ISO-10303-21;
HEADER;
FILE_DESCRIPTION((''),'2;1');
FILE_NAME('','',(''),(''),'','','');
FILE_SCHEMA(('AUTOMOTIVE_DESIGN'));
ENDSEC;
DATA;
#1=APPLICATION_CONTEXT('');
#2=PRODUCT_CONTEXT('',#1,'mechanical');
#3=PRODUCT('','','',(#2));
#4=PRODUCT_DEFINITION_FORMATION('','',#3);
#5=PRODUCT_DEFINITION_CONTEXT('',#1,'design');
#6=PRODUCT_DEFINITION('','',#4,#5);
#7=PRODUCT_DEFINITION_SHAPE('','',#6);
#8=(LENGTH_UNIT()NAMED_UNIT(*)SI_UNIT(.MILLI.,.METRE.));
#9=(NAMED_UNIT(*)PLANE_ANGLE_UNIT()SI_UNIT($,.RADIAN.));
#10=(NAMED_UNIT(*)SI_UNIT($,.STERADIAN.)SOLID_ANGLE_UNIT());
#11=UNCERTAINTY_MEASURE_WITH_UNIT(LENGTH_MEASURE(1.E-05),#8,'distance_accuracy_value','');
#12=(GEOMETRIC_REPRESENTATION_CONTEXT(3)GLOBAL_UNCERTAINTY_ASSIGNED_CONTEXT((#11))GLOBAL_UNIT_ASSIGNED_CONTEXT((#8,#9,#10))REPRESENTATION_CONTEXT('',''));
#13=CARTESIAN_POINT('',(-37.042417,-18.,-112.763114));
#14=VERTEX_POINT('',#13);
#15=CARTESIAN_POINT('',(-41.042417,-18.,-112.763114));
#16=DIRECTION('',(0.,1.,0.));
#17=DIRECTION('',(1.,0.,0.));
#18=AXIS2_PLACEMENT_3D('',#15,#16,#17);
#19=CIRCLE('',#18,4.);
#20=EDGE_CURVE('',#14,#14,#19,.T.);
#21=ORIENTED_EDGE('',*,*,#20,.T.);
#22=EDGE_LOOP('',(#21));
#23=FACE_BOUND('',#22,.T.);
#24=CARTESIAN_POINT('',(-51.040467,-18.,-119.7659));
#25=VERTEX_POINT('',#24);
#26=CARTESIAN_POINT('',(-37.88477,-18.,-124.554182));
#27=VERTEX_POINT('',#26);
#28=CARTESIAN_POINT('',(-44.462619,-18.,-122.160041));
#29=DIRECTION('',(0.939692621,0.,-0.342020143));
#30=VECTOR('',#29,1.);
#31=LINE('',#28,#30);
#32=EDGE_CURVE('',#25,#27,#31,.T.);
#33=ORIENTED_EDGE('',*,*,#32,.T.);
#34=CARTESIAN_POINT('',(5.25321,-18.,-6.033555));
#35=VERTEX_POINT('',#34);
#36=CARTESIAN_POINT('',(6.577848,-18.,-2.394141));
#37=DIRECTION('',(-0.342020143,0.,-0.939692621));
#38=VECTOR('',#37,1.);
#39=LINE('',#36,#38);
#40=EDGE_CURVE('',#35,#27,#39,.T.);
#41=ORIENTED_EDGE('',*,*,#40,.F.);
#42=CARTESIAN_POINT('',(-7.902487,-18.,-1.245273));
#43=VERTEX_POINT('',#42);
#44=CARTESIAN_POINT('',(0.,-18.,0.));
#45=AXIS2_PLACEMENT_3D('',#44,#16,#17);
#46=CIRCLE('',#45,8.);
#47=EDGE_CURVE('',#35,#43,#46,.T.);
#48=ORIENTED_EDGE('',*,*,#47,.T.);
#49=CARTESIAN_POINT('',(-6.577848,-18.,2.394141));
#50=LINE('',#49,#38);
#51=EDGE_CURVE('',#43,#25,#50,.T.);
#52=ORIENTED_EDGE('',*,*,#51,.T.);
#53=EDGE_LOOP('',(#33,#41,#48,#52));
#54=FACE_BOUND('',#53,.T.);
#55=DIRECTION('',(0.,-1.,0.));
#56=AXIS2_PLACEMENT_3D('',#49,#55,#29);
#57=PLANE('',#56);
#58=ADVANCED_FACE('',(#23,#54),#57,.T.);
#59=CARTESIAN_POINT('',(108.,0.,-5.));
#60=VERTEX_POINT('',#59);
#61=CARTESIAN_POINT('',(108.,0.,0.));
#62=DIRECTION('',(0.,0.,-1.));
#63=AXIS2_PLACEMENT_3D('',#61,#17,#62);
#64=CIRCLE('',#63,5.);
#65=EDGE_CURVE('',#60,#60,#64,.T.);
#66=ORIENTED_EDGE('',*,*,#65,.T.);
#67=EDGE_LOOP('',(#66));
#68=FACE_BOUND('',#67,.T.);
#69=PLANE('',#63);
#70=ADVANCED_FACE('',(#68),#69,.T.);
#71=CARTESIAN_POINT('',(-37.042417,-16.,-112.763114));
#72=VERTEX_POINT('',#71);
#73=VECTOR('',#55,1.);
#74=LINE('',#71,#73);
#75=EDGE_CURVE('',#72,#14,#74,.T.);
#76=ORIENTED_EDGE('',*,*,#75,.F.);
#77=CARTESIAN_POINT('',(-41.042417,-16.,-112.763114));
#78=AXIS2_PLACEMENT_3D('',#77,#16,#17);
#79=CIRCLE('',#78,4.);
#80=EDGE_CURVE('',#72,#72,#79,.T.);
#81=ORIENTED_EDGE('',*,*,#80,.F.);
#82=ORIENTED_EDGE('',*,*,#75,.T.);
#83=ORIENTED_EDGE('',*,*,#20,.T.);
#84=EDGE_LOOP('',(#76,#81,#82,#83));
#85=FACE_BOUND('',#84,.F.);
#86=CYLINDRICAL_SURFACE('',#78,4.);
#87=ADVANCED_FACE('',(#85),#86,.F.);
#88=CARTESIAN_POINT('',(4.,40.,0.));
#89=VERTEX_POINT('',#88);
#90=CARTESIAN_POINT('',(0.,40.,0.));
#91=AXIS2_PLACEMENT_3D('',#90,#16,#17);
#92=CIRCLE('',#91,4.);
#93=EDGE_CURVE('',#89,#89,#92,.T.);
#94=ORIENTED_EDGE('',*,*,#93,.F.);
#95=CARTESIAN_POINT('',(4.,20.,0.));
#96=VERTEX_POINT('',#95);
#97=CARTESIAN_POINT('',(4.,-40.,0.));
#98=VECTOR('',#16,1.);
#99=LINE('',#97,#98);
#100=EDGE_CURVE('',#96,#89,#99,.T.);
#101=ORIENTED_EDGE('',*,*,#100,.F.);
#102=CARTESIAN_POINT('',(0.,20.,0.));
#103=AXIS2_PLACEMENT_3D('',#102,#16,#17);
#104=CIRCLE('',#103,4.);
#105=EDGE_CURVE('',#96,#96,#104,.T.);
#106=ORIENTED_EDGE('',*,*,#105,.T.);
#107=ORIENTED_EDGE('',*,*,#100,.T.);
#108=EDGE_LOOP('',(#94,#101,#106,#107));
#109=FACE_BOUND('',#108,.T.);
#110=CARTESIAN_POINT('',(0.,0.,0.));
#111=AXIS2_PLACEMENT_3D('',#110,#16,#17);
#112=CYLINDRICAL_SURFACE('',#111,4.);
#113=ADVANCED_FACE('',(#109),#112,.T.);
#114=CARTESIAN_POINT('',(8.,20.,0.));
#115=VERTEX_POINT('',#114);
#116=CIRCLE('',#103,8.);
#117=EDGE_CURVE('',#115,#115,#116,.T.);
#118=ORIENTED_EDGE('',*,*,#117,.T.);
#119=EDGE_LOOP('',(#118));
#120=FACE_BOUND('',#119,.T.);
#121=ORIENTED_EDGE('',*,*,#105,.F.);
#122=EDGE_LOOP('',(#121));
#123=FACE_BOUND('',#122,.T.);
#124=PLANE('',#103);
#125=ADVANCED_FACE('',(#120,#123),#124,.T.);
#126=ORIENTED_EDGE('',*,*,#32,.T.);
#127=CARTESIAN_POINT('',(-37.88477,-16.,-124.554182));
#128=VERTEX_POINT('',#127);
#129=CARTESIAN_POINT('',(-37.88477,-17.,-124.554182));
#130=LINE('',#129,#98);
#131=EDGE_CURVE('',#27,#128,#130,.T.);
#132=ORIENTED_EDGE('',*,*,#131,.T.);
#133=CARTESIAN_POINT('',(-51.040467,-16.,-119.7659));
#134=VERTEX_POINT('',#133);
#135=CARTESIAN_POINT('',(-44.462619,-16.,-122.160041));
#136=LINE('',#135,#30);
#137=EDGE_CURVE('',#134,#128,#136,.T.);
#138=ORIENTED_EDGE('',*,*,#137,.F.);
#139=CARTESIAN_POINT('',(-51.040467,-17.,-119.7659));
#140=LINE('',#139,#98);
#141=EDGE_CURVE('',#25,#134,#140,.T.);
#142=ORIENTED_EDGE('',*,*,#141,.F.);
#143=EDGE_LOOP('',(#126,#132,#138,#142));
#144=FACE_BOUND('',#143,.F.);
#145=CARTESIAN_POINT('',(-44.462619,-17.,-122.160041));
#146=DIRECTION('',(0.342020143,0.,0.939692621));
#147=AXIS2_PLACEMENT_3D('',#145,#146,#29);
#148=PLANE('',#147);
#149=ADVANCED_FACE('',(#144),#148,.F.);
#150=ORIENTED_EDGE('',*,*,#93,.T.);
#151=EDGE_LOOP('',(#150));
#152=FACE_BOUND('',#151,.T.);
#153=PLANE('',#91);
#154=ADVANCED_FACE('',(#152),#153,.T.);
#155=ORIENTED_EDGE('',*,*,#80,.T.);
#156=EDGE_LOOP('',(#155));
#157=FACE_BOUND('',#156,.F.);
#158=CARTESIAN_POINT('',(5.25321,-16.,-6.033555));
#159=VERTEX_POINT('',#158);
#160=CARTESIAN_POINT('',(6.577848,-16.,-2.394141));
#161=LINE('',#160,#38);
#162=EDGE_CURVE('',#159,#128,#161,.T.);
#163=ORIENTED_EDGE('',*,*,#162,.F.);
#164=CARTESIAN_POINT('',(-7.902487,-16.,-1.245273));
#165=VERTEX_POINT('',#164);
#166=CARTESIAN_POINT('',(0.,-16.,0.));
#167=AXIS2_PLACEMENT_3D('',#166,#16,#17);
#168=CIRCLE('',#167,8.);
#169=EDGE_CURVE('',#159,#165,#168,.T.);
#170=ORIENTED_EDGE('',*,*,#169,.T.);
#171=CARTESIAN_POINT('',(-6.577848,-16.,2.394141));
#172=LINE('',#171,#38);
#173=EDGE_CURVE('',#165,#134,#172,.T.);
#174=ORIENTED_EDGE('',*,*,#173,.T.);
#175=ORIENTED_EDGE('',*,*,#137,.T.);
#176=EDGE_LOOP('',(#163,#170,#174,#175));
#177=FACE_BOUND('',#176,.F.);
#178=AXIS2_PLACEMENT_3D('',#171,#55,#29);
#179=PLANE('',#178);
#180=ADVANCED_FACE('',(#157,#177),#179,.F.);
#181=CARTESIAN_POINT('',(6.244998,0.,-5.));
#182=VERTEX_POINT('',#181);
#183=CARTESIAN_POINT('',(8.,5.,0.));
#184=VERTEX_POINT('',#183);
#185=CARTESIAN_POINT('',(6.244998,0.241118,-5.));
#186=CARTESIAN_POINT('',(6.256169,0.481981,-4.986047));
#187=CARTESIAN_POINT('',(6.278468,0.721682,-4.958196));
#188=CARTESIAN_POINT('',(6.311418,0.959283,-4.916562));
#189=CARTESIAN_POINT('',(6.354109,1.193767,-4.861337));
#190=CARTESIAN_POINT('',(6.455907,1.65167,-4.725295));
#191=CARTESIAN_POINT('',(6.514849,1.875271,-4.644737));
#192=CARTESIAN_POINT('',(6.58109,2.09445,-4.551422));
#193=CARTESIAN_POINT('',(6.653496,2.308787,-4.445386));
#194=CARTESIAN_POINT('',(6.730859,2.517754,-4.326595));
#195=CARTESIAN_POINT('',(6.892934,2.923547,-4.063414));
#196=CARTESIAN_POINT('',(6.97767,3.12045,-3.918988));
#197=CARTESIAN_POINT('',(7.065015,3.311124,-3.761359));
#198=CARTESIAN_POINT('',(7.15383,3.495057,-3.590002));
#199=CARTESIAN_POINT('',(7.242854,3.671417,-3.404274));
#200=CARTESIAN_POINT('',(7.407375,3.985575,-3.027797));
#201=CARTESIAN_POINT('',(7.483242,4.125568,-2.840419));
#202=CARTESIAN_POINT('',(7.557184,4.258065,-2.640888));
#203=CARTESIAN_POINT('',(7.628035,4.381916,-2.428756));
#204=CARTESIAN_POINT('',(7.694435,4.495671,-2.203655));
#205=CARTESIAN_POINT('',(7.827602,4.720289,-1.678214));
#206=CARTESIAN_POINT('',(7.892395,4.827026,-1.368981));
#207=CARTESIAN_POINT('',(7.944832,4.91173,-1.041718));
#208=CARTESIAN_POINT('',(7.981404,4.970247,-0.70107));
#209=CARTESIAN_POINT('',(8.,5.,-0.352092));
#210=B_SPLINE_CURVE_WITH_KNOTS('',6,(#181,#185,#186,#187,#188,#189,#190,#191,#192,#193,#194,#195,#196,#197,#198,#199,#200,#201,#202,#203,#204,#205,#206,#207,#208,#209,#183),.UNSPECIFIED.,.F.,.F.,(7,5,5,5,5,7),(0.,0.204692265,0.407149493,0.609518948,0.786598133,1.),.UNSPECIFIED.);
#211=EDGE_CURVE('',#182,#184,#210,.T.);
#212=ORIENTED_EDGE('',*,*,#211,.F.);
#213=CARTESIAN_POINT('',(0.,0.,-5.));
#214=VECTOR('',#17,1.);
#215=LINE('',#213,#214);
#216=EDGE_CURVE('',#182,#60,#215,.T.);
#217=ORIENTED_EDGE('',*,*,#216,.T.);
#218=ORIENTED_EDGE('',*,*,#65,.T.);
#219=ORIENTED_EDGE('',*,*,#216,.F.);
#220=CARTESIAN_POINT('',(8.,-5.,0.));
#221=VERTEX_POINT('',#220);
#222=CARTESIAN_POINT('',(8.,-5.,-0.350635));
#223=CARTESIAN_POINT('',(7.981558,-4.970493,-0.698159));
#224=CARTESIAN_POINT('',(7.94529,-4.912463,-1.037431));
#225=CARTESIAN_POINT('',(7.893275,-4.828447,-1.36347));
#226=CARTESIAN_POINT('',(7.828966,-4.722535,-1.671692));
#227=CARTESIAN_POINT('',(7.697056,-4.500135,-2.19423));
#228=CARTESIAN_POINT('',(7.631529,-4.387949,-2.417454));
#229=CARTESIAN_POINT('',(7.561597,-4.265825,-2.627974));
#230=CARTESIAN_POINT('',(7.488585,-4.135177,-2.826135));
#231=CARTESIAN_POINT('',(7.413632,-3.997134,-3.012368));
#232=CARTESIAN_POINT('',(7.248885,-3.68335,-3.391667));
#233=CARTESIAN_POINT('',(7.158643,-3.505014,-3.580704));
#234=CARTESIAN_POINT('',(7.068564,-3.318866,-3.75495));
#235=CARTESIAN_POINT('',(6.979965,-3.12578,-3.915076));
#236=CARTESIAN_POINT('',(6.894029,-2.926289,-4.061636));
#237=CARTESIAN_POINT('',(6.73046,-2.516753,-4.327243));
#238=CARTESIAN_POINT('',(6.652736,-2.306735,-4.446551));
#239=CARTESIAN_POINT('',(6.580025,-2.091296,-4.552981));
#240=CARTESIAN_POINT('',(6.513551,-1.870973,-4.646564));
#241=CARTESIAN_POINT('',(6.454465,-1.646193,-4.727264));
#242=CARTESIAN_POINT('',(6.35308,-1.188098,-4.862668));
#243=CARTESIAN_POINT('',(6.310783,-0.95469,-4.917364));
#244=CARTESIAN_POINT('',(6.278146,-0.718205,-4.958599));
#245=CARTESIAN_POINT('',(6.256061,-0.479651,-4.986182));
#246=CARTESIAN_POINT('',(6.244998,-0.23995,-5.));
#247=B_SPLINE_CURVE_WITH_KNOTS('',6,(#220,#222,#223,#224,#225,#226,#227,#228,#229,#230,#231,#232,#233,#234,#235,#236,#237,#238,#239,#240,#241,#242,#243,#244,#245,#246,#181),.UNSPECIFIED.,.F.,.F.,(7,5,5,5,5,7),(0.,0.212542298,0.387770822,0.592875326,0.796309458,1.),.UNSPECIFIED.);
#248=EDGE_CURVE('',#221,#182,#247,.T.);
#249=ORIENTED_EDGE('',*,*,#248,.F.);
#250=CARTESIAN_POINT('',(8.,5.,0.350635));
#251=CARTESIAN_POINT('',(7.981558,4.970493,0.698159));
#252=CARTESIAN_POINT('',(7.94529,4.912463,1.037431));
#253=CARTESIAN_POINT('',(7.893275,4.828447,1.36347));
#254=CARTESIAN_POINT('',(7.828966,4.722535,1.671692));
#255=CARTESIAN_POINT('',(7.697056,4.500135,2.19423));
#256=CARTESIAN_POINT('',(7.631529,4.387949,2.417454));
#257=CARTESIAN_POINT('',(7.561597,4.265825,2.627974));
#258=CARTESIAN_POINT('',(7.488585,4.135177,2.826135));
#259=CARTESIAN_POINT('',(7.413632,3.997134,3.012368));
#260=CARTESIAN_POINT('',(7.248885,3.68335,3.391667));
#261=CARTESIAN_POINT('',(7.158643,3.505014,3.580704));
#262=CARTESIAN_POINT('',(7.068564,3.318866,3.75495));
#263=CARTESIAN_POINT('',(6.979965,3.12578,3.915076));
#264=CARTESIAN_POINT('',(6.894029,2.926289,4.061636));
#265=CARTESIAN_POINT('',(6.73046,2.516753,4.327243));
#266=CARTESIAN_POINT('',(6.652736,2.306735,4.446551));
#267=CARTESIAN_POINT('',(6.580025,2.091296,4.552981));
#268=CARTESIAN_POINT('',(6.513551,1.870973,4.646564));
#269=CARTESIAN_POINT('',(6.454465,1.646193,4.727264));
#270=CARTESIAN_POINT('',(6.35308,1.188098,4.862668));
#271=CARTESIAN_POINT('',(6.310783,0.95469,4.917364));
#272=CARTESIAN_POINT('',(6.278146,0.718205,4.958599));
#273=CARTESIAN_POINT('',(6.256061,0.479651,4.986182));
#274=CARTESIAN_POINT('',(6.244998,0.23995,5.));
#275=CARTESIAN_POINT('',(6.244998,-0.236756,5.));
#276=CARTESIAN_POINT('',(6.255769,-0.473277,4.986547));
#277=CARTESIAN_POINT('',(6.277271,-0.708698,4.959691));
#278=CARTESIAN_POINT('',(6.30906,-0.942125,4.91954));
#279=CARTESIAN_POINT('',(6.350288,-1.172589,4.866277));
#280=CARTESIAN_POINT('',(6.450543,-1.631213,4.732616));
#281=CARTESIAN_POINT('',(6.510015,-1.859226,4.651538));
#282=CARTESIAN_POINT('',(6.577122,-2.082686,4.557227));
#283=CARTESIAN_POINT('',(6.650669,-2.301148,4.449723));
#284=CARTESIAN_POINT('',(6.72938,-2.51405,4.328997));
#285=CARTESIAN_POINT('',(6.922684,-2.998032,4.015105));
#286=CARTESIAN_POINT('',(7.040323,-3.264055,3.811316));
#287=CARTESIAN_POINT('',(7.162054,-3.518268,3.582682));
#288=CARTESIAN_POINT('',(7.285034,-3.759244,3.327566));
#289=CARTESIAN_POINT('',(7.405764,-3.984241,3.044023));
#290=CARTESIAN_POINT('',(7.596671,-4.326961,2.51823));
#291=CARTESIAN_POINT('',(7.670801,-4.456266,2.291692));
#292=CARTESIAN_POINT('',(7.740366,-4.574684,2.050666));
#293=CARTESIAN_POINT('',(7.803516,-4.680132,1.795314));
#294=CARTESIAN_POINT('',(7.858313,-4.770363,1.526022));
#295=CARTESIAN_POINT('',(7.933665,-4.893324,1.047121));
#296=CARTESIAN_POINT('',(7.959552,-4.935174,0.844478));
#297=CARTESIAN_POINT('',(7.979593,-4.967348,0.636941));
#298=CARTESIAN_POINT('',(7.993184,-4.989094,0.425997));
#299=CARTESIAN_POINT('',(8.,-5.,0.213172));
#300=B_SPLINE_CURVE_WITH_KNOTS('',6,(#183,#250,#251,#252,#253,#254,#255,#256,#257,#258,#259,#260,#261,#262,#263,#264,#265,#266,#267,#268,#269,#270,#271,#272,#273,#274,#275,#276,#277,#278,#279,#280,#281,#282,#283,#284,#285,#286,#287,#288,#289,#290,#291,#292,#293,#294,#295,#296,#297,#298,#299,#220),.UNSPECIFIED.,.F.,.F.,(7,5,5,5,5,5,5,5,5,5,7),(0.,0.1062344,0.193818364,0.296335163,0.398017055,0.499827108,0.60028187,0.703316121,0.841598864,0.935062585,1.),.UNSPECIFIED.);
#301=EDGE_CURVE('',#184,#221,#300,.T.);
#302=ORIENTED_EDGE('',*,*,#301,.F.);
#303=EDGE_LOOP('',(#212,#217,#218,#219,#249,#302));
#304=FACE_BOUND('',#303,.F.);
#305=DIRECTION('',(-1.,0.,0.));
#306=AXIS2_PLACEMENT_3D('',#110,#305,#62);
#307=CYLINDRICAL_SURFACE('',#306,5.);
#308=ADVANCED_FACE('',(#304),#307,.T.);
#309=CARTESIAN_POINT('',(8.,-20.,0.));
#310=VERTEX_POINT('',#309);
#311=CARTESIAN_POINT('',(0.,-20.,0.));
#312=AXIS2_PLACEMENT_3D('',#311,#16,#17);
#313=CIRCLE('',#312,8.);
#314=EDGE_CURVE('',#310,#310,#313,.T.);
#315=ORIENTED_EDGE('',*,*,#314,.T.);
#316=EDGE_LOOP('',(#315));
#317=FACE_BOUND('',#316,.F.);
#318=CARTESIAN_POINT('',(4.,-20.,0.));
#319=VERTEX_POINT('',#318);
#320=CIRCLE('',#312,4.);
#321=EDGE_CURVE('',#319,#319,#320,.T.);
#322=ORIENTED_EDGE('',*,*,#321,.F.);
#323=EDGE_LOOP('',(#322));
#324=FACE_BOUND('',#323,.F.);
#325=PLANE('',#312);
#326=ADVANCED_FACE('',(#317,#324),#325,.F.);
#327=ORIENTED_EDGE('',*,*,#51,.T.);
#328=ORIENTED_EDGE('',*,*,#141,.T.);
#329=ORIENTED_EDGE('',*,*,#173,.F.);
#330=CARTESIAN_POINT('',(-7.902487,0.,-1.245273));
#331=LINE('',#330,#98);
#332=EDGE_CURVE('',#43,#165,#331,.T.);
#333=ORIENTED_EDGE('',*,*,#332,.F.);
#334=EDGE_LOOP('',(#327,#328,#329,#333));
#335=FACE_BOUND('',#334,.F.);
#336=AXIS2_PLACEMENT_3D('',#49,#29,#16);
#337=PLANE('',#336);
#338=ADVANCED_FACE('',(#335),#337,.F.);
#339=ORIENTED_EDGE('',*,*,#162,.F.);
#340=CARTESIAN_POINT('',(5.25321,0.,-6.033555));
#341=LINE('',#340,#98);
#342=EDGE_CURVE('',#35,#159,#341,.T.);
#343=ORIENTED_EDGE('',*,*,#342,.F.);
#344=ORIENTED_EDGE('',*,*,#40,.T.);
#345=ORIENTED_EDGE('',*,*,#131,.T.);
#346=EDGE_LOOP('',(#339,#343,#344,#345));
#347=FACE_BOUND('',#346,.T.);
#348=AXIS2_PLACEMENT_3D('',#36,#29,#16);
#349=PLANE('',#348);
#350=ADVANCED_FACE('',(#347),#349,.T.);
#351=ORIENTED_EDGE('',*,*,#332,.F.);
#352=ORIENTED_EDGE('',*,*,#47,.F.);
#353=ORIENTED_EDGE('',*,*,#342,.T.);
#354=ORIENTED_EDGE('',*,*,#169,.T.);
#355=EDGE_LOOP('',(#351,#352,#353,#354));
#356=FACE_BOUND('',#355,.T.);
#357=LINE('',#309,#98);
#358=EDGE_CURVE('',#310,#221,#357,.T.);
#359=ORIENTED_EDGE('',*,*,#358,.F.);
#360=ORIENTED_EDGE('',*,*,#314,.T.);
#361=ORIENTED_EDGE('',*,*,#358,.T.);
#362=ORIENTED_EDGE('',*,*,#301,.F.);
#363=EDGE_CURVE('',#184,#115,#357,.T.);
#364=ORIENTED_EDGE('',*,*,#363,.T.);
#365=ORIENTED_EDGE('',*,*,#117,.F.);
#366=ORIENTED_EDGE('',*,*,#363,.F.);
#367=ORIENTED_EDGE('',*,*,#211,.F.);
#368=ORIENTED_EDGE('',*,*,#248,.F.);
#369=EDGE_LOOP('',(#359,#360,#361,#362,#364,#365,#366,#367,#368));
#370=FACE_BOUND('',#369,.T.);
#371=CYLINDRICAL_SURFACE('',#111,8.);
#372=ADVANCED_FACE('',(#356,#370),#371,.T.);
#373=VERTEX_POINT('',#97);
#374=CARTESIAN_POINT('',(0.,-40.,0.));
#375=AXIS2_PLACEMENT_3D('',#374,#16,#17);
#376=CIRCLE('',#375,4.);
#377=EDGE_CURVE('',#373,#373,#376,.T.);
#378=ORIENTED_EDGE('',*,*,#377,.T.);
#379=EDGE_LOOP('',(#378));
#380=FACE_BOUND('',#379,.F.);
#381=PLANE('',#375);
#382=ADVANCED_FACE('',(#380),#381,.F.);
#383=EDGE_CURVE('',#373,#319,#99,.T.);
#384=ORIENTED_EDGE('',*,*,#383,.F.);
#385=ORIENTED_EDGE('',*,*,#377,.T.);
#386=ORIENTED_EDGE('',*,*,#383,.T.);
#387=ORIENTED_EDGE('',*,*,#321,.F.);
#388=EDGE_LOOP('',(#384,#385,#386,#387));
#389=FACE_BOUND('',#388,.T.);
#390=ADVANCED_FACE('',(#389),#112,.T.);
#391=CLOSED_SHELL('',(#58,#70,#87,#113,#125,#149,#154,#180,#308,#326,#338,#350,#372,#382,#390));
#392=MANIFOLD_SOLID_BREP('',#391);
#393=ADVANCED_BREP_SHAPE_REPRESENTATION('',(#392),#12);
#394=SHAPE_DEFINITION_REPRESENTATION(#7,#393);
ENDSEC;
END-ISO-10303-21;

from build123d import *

# Parameters (mm, degrees)
SKETCH1_R           = 4
BOSS_EXTRUDE1_DEPTH = 40
SKETCH3_R           = 8
BOSS_EXTRUDE2_DEPTH = 20
SKETCH4_R           = 5
BOSS_EXTRUDE3_DEPTH = 108
SKETCH5_W           = 14
SKETCH5_H           = 2
BOSS_EXTRUDE4_DEPTH = 130
CUT_EXTRUDE1_REACH  = 26
SKETCH6_R           = 4


with BuildPart() as part:
    # Sketch1 → Boss-Extrude1 (new body, symmetric)
    with BuildSketch(Plane(origin=(0, 0, 0), x_dir=(1, 0, 0), z_dir=(0, 1, 0))):
        Circle(SKETCH1_R)
    extrude(amount=BOSS_EXTRUDE1_DEPTH, both=True)

    # Sketch3 → Boss-Extrude2 (add, symmetric)
    with BuildSketch(Plane(origin=(0, 0, 0), x_dir=(1, 0, 0), z_dir=(0, 1, 0))):
        Circle(SKETCH3_R)
    extrude(amount=BOSS_EXTRUDE2_DEPTH, both=True)

    # Sketch4 → Boss-Extrude3 (add)
    with BuildSketch(Plane(origin=(0, 0, 0), x_dir=(0, 0, -1), z_dir=(1, 0, 0))):
        Circle(SKETCH4_R)
    extrude(amount=BOSS_EXTRUDE3_DEPTH)

    # Sketch5 → Boss-Extrude4 (add)
    with BuildSketch(Plane(origin=(0, 0, 0), x_dir=(0.939692621, 0, -0.342020143), z_dir=(0.342020143, 0, 0.939692621))):
        with Locations((0, -17)):
            Rectangle(SKETCH5_W, SKETCH5_H)
    extrude(amount=-BOSS_EXTRUDE4_DEPTH)

    # Sketch6 → Cut-Extrude1 (cut, up to next)
    with BuildSketch(Plane(origin=(0, -16, 0), x_dir=(1, 0, 0), z_dir=(0, 1, 0)), mode=Mode.PRIVATE) as cut_extrude1_sk1:
        with Locations((-41.042417199, 112.763114494)):
            Circle(SKETCH6_R)
    cut_extrude1_tool1 = extrude(cut_extrude1_sk1.sketch, amount=-CUT_EXTRUDE1_REACH, mode=Mode.PRIVATE) & part.part
    add(cut_extrude1_tool1.solids().sort_by_distance((-41.042417, -16, -112.763114))[0], mode=Mode.SUBTRACT)


solid = part.part
